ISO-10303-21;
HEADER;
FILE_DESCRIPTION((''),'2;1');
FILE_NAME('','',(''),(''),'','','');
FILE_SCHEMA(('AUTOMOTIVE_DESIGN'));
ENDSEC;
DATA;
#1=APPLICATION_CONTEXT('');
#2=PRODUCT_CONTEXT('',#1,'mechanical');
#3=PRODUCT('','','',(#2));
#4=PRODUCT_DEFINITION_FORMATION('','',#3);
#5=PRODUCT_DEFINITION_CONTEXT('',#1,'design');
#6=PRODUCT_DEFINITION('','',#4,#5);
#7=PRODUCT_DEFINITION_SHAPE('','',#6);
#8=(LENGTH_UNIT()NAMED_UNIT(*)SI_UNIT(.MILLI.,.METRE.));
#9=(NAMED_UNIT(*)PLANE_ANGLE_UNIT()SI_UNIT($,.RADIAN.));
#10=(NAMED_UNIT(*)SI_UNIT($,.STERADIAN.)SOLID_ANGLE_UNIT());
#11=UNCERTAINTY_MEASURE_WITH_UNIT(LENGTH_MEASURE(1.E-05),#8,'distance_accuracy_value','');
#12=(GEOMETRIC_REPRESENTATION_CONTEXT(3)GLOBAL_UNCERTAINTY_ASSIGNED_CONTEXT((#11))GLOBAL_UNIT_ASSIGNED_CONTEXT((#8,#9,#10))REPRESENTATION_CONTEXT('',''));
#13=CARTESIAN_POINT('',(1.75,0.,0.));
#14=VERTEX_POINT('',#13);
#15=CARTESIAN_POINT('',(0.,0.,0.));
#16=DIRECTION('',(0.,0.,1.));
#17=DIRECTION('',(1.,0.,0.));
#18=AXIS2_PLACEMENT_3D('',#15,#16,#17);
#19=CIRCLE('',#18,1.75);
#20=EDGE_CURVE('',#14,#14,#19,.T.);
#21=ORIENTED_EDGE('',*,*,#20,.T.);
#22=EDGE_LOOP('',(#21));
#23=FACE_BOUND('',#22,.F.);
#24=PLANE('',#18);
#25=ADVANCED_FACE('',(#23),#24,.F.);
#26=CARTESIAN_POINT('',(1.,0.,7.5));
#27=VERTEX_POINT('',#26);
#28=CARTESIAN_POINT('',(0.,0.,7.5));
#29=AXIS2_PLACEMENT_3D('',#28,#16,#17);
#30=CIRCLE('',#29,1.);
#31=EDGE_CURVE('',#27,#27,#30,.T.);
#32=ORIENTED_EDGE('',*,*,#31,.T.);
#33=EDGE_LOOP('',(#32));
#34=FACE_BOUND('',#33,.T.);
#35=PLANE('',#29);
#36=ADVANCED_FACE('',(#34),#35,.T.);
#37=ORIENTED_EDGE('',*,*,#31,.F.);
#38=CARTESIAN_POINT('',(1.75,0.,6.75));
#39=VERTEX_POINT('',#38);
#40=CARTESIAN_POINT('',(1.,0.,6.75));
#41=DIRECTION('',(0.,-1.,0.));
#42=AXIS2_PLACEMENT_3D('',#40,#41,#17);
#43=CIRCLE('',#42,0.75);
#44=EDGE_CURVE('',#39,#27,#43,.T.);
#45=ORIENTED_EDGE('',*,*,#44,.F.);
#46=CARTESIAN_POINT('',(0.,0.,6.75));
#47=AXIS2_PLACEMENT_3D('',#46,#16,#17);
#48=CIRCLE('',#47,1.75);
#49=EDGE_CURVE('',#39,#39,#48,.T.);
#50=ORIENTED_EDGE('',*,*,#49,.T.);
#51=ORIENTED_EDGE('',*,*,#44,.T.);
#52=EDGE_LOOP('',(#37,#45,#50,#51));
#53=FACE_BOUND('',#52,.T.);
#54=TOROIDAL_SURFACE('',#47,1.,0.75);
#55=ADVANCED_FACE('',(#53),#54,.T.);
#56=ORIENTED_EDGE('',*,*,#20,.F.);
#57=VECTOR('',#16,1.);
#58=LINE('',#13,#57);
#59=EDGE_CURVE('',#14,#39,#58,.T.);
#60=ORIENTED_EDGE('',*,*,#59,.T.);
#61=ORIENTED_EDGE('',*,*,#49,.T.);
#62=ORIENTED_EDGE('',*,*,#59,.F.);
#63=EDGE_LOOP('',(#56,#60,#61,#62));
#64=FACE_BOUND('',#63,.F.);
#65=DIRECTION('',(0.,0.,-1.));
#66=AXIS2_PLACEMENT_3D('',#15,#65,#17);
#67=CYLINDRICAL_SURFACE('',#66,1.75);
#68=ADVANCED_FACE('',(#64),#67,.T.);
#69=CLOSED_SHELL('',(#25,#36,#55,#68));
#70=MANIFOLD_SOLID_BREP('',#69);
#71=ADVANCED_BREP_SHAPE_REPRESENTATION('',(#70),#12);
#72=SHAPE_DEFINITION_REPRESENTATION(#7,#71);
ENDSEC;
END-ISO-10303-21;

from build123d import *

# Parameters (mm, degrees)
F0_R     = 3.5
F1_DEPTH = 15
F2_R     = 1.5
F3_SCALE = 0.5


with BuildPart() as f1:
    # F0 (on Top) → F1 (new body)
    with BuildSketch(Plane.XY):
        Circle(F0_R)
    extrude(amount=F1_DEPTH)

    # F2
    f2_edges = [f1.edges().sort_by_distance(p)[0] for p in [
        (-3.5, 0, 15),
    ]]
    fillet(f2_edges, radius=F2_R)


with BuildPart() as f1_1:
    # F3: moved
    add(f1.part.scale(F3_SCALE))


solid = f1_1.part
